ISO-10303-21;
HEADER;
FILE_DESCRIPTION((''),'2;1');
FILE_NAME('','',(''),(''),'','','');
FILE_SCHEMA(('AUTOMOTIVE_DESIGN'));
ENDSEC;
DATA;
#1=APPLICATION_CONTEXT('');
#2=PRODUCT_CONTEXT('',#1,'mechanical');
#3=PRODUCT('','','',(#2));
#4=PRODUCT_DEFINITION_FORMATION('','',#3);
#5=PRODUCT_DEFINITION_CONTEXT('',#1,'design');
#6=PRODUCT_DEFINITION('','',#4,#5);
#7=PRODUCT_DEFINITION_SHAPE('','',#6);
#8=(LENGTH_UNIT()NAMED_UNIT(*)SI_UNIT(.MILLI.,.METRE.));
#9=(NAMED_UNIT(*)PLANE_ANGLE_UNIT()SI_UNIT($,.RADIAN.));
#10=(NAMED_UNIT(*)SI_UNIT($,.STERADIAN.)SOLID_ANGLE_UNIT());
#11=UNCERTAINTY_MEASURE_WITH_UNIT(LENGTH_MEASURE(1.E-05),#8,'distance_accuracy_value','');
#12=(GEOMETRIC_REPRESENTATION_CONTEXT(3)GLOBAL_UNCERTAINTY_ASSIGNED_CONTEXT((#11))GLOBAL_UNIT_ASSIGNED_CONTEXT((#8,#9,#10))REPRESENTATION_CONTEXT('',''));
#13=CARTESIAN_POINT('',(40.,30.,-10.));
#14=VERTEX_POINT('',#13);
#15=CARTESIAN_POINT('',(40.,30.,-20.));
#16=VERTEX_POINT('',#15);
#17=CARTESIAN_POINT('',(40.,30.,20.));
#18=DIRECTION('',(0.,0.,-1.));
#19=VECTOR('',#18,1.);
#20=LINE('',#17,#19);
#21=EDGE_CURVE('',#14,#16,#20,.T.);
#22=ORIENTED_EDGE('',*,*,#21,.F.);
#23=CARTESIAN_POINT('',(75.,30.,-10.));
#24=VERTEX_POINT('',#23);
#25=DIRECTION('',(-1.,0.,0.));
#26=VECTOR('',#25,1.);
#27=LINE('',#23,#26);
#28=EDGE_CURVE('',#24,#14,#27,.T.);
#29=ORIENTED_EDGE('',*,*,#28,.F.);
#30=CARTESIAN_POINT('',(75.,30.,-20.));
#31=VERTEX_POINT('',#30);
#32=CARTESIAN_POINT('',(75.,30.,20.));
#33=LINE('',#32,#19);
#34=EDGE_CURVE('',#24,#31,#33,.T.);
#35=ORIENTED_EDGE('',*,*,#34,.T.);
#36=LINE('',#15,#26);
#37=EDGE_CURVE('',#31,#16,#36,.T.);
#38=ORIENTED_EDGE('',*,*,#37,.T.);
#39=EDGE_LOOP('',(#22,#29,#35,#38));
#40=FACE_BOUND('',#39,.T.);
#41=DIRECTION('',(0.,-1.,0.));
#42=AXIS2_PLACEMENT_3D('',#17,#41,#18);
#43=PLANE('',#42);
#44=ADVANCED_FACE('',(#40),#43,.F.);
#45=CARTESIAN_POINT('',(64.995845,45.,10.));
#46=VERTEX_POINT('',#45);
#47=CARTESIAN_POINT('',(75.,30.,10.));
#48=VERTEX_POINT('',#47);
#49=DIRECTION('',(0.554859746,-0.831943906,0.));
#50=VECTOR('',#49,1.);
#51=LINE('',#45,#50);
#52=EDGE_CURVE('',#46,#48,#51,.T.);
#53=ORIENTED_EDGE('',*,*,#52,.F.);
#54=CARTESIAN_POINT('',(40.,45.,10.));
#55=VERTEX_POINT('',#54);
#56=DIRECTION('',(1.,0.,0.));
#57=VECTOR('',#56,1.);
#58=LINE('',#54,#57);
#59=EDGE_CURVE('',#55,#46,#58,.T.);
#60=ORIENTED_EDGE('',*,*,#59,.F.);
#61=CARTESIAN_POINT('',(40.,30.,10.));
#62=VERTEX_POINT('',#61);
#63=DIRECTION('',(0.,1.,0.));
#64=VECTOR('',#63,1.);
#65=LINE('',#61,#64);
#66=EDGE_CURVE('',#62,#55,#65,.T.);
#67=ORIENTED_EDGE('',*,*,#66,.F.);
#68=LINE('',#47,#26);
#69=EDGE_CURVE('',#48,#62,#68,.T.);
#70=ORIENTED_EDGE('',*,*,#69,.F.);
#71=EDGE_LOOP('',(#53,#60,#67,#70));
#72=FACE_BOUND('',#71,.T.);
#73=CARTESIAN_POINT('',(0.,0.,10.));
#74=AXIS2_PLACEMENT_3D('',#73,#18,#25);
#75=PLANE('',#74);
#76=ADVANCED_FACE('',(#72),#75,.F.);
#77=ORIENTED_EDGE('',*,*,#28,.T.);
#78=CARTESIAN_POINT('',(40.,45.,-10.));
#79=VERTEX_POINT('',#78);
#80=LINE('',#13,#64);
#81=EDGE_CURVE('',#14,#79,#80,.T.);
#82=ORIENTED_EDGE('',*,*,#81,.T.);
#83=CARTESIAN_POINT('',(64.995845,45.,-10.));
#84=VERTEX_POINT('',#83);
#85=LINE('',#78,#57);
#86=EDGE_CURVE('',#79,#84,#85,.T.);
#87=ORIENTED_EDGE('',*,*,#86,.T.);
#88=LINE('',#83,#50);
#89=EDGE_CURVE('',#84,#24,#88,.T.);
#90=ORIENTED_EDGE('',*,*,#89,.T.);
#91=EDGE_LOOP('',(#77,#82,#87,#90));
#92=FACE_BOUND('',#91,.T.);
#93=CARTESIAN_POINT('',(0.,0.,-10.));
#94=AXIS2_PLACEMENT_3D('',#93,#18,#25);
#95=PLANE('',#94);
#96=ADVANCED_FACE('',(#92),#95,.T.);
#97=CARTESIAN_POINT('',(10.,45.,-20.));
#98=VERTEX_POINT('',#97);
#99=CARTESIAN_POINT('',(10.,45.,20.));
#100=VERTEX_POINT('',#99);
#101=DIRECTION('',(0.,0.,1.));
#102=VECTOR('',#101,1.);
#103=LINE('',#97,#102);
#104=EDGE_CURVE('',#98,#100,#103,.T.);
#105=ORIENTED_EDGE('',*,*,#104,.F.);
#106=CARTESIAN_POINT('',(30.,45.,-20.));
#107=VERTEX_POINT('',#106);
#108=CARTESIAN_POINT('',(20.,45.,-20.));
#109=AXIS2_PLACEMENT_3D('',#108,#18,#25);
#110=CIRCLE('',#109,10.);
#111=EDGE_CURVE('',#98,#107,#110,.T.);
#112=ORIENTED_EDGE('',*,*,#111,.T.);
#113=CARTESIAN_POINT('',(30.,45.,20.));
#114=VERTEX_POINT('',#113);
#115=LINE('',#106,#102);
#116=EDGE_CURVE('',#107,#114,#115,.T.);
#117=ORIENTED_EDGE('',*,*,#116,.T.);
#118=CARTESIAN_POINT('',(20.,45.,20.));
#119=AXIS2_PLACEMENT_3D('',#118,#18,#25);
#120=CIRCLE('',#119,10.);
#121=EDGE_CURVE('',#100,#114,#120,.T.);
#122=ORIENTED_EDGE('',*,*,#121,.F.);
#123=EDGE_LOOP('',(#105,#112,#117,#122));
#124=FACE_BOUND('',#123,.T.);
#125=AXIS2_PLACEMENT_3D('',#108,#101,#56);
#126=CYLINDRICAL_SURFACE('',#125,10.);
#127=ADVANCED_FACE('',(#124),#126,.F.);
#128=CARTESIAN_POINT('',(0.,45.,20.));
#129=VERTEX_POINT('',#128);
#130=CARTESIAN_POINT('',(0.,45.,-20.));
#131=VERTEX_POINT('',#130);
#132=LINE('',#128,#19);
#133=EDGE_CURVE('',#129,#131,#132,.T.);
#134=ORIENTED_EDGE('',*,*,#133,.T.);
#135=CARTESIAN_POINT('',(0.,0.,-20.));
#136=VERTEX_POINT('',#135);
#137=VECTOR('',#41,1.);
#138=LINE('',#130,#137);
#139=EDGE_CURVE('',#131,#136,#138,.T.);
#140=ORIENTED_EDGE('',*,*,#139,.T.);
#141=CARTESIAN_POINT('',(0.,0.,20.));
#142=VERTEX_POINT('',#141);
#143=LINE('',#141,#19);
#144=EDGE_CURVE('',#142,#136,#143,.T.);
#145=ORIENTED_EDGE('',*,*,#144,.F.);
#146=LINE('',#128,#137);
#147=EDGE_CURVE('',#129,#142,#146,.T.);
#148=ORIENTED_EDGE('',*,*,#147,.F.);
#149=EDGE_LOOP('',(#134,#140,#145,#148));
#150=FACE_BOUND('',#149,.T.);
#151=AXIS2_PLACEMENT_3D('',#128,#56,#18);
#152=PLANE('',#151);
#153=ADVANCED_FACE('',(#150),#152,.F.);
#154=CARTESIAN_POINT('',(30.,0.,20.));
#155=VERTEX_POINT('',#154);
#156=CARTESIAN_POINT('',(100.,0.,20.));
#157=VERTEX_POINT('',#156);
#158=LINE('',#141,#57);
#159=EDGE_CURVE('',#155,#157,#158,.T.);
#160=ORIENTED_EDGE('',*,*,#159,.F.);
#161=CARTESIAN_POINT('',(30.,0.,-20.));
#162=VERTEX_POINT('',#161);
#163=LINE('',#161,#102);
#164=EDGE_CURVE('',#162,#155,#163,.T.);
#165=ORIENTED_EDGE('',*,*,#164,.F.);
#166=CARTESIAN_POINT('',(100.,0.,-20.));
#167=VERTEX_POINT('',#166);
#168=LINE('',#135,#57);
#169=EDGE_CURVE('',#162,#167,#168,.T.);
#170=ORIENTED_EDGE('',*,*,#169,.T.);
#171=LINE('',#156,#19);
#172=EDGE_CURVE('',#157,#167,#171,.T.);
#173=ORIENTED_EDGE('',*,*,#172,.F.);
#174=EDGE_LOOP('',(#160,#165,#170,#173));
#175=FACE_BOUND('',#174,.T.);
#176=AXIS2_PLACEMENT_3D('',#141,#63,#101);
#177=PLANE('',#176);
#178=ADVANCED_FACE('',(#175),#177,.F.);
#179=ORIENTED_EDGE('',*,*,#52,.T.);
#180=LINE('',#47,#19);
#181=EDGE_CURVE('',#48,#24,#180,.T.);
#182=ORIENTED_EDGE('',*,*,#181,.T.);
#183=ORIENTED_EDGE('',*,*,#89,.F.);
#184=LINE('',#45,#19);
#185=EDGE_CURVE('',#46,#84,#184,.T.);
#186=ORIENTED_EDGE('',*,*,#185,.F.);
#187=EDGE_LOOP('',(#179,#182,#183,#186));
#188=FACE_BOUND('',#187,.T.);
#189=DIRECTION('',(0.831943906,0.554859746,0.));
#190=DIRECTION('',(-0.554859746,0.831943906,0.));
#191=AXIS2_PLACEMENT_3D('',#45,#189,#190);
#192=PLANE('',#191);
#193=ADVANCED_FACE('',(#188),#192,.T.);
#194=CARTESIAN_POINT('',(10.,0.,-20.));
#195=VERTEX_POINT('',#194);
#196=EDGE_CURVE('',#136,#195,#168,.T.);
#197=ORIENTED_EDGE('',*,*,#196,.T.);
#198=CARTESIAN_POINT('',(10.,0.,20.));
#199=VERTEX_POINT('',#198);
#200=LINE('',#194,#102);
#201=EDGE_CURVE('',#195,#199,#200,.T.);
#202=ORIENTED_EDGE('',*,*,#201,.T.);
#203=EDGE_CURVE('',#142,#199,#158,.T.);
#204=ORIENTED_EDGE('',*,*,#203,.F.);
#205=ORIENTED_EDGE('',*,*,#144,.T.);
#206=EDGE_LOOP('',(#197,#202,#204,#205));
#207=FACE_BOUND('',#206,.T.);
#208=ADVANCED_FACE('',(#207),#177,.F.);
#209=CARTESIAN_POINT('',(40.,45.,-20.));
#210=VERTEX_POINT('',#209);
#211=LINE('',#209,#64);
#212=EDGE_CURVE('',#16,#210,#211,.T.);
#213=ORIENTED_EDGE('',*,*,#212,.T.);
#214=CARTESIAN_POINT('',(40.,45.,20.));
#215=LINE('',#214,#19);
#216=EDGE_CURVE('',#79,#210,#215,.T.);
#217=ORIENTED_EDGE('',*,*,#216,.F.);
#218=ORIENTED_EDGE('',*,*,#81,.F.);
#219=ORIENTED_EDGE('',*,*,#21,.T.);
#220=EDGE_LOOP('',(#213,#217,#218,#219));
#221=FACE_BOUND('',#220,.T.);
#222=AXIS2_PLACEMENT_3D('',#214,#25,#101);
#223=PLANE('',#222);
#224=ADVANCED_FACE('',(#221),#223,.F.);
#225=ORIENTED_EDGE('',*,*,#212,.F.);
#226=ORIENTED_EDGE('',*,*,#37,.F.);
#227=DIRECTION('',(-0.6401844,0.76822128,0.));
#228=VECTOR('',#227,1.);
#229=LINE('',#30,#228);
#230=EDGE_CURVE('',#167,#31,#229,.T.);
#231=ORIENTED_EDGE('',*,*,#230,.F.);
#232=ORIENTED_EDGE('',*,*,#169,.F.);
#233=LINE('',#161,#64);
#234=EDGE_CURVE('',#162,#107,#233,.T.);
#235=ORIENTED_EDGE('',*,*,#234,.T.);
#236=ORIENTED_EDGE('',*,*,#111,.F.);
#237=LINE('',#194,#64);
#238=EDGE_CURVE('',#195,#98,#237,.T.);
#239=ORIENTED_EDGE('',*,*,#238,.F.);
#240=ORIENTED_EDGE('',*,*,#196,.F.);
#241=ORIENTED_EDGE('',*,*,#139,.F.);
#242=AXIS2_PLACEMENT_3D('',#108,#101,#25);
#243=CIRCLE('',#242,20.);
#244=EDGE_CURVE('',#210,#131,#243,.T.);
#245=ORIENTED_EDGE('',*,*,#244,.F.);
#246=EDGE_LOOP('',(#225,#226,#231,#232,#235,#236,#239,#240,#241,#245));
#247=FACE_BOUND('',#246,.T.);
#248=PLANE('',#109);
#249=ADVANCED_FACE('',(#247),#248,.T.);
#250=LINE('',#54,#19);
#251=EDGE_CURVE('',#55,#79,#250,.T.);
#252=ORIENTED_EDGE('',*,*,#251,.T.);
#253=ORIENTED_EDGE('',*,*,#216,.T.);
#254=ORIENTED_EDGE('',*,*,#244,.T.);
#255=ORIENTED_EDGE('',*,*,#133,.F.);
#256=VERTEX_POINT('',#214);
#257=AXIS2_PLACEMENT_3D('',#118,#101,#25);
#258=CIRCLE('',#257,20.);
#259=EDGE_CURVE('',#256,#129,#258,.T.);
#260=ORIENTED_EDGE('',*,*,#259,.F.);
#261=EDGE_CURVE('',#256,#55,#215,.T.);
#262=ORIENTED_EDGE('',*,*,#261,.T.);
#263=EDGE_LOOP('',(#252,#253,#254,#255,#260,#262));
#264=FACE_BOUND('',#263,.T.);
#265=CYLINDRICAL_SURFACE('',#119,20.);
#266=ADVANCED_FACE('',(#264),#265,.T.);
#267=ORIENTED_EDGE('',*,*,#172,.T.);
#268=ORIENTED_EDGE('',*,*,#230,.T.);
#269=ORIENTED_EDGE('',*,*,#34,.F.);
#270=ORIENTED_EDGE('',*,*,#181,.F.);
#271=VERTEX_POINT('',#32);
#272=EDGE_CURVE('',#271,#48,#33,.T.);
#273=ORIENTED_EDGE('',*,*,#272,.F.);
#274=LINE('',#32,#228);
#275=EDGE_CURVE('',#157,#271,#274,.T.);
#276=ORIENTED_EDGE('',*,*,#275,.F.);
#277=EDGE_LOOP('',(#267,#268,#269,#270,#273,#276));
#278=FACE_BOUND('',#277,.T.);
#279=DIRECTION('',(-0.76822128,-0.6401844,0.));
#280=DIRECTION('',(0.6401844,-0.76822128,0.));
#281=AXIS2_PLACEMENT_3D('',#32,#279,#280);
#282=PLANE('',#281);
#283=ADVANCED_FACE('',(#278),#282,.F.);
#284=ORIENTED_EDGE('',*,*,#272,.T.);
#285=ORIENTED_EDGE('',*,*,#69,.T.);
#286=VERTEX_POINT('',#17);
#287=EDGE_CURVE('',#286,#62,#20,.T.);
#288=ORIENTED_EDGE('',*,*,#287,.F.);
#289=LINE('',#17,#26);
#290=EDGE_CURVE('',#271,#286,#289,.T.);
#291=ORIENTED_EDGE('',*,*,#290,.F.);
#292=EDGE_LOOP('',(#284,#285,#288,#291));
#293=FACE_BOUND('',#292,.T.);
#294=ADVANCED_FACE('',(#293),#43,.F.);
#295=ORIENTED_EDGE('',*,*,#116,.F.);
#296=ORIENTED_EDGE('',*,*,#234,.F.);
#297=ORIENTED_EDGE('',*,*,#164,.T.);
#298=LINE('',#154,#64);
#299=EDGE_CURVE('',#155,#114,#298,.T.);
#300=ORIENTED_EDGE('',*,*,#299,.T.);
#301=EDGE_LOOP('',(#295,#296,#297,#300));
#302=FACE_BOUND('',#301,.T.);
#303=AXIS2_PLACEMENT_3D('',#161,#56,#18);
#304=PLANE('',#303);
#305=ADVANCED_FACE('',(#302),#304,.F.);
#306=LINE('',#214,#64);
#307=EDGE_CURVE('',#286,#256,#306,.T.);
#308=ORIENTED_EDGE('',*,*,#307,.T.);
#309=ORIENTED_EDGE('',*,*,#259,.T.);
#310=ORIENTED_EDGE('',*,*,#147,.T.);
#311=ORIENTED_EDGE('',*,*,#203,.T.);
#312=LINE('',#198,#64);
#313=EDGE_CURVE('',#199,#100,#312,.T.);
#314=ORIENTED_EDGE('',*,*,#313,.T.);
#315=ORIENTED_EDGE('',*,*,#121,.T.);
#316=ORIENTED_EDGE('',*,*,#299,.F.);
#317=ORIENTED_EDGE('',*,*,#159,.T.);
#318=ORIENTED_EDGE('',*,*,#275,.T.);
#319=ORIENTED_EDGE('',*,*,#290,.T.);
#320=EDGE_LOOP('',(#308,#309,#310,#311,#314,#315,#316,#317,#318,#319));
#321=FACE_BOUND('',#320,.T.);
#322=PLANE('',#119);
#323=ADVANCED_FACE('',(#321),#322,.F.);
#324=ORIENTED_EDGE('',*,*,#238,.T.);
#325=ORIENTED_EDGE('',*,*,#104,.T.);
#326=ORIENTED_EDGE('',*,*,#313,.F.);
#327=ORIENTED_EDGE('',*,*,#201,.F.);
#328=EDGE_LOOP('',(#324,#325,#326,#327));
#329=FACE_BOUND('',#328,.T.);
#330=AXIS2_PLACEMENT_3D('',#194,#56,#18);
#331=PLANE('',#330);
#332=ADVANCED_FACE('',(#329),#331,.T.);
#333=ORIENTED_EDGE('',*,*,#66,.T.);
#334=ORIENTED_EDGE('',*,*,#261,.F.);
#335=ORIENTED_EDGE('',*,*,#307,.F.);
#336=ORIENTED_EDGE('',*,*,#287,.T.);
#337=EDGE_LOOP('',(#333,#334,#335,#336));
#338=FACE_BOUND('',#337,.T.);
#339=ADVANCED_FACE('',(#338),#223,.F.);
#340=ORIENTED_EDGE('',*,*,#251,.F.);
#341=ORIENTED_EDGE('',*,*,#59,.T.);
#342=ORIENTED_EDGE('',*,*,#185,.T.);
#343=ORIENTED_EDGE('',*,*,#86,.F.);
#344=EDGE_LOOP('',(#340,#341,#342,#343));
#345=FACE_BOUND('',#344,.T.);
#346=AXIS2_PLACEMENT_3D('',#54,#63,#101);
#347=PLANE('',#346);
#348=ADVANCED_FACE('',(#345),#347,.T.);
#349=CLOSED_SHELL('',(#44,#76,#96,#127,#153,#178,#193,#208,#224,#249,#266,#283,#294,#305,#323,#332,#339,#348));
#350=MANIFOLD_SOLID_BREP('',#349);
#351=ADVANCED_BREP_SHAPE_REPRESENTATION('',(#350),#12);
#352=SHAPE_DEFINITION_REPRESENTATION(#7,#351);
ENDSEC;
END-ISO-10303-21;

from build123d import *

# Parameters (mm, degrees)
BOSS_EXTRUDE1_DEPTH = 20
BOSS_EXTRUDE2_DEPTH = 10
CUT_EXTRUDE1_DEPTH  = 20


with BuildPart() as part:
    # Sketch1 → Boss-Extrude1 (new body, symmetric)
    with BuildSketch(Plane.XY):
        with BuildLine():
            Line((0, 0), (100, 0))
            Line((100, 0), (75, 30))
            Line((75, 30), (40, 30))
            Line((40, 30), (40, 45))
            ThreePointArc((40, 45), (34.142135624, 59.142135624), (20, 65))
            ThreePointArc((20, 65), (5.857864376, 59.142135624), (0, 45))
            Line((0, 45), (0, 0))
        make_face()
    extrude(amount=BOSS_EXTRUDE1_DEPTH, both=True)

    # Sketch2 → Boss-Extrude2 (add, symmetric)
    with BuildSketch(Plane.XY):
        Polygon((40, 30), (40, 45), (64.995844506, 45), (75, 30), align=None)
    extrude(amount=BOSS_EXTRUDE2_DEPTH, both=True)

    # Sketch3 → Cut-Extrude1 (cut, symmetric)
    with BuildSketch(Plane.XY):
        with BuildLine():
            Line((10, 0), (10, 45))
            ThreePointArc((10, 45), (20, 55), (30, 45))
            Line((30, 45), (30, 0))
            Line((30, 0), (10, 0))
        make_face()
    extrude(amount=CUT_EXTRUDE1_DEPTH, both=True, mode=Mode.SUBTRACT)


solid = part.part
